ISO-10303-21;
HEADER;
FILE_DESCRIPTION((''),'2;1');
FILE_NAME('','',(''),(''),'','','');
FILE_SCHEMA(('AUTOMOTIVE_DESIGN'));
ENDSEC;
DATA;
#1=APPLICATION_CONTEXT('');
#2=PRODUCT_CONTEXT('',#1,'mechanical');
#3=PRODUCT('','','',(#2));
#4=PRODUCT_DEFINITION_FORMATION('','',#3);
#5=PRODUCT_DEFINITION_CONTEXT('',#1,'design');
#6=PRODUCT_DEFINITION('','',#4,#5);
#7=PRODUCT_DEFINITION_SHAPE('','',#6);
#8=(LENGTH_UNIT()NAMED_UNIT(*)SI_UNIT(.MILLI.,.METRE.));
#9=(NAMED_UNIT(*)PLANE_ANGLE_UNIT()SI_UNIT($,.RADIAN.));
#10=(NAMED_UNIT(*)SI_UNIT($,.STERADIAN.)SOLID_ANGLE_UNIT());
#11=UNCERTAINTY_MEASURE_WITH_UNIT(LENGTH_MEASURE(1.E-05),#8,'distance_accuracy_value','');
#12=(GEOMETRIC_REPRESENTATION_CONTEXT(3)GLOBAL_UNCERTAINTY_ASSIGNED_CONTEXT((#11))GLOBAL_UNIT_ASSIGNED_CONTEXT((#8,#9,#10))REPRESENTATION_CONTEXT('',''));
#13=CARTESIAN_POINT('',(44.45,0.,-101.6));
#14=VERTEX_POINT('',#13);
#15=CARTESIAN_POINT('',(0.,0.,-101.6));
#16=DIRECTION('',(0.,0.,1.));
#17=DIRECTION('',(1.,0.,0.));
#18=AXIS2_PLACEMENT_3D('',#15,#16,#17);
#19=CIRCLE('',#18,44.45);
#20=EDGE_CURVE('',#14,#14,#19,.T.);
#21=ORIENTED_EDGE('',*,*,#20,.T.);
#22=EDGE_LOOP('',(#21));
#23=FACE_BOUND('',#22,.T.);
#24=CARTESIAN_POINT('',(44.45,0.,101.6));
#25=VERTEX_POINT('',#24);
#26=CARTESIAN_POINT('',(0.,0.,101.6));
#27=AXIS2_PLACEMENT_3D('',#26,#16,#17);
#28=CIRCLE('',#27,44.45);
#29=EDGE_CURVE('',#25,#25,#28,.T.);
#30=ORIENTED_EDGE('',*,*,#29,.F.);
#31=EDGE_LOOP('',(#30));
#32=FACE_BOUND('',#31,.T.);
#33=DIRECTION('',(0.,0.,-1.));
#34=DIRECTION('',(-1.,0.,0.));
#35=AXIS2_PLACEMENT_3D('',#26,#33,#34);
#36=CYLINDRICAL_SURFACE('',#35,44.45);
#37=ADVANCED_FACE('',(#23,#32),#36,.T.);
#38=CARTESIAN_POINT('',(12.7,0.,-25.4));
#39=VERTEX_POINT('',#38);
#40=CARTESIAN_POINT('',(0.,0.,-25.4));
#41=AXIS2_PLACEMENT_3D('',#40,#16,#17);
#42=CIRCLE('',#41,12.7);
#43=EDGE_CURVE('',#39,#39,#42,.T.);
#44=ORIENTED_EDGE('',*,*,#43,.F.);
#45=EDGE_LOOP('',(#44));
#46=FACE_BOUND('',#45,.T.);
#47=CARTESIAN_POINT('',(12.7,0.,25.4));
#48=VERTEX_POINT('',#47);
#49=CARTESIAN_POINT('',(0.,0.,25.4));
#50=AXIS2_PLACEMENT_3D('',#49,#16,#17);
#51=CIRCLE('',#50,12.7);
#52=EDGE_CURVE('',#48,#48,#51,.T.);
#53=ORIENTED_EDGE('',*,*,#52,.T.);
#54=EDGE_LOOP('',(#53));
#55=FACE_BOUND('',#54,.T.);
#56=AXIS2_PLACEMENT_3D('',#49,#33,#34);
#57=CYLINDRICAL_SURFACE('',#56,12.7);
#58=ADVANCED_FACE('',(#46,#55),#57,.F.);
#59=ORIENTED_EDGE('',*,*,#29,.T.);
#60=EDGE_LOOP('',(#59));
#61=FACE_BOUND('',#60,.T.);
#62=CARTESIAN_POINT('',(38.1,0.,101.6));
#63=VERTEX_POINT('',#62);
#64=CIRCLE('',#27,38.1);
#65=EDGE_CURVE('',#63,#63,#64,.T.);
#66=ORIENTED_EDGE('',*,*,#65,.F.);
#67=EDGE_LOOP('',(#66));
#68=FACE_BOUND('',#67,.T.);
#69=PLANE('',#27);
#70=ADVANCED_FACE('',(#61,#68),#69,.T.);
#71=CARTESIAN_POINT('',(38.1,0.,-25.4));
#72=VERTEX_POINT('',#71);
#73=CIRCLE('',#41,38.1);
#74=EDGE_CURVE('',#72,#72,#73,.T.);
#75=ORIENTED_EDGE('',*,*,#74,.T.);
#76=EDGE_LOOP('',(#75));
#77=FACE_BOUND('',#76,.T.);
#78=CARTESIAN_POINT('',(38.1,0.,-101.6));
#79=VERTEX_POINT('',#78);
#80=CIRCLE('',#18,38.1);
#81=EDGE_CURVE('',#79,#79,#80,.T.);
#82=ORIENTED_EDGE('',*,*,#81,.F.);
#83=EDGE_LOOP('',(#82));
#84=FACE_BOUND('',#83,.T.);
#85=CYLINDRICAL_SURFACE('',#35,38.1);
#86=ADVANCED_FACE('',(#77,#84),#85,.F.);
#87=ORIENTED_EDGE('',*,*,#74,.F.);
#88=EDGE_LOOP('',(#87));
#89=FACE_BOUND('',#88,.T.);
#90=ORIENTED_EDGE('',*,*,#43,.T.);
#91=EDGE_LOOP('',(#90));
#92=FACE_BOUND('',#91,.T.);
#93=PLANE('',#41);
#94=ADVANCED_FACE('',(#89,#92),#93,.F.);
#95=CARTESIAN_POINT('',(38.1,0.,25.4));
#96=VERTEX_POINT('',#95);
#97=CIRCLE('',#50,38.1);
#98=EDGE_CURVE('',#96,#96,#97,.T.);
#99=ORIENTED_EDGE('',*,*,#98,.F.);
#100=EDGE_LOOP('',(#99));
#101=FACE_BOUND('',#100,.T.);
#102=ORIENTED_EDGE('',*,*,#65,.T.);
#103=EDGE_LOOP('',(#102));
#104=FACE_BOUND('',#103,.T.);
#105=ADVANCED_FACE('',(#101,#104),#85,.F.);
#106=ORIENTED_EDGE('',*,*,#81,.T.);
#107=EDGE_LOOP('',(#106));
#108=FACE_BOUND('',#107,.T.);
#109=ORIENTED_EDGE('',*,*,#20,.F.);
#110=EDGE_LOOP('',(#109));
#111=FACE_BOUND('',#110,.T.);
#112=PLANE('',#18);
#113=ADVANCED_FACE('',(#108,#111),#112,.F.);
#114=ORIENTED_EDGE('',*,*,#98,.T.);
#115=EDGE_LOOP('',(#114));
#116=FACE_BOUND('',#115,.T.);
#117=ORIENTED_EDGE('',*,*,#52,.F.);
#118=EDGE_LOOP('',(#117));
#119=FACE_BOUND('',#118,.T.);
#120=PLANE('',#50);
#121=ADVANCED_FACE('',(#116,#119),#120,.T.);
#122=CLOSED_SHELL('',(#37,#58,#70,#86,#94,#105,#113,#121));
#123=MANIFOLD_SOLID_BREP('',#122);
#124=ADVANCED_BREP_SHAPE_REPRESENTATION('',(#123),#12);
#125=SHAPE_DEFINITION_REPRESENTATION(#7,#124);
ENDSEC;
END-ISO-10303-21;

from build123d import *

# Parameters (mm, degrees)
SKETCH1_R           = 44.45
SKETCH1_R_2         = 38.1
BOSS_EXTRUDE1_DEPTH = 101.6
SKETCH1_3_R         = 38.1
SKETCH1_3_R_2       = 12.7
BOSS_EXTRUDE2_DEPTH = 25.4


with BuildPart() as part:
    # Sketch1 → Boss-Extrude1 (new, symmetric)
    with BuildSketch(Plane.XY):
        Circle(SKETCH1_R)
        Circle(SKETCH1_R_2, mode=Mode.SUBTRACT)
    extrude(amount=BOSS_EXTRUDE1_DEPTH, both=True)

    # Sketch1<3> → Boss-Extrude2 (add, symmetric)
    with BuildSketch(Plane.XY):
        Circle(SKETCH1_3_R)
        Circle(SKETCH1_3_R_2, mode=Mode.SUBTRACT)
    extrude(amount=BOSS_EXTRUDE2_DEPTH, both=True)


solid = part.part
